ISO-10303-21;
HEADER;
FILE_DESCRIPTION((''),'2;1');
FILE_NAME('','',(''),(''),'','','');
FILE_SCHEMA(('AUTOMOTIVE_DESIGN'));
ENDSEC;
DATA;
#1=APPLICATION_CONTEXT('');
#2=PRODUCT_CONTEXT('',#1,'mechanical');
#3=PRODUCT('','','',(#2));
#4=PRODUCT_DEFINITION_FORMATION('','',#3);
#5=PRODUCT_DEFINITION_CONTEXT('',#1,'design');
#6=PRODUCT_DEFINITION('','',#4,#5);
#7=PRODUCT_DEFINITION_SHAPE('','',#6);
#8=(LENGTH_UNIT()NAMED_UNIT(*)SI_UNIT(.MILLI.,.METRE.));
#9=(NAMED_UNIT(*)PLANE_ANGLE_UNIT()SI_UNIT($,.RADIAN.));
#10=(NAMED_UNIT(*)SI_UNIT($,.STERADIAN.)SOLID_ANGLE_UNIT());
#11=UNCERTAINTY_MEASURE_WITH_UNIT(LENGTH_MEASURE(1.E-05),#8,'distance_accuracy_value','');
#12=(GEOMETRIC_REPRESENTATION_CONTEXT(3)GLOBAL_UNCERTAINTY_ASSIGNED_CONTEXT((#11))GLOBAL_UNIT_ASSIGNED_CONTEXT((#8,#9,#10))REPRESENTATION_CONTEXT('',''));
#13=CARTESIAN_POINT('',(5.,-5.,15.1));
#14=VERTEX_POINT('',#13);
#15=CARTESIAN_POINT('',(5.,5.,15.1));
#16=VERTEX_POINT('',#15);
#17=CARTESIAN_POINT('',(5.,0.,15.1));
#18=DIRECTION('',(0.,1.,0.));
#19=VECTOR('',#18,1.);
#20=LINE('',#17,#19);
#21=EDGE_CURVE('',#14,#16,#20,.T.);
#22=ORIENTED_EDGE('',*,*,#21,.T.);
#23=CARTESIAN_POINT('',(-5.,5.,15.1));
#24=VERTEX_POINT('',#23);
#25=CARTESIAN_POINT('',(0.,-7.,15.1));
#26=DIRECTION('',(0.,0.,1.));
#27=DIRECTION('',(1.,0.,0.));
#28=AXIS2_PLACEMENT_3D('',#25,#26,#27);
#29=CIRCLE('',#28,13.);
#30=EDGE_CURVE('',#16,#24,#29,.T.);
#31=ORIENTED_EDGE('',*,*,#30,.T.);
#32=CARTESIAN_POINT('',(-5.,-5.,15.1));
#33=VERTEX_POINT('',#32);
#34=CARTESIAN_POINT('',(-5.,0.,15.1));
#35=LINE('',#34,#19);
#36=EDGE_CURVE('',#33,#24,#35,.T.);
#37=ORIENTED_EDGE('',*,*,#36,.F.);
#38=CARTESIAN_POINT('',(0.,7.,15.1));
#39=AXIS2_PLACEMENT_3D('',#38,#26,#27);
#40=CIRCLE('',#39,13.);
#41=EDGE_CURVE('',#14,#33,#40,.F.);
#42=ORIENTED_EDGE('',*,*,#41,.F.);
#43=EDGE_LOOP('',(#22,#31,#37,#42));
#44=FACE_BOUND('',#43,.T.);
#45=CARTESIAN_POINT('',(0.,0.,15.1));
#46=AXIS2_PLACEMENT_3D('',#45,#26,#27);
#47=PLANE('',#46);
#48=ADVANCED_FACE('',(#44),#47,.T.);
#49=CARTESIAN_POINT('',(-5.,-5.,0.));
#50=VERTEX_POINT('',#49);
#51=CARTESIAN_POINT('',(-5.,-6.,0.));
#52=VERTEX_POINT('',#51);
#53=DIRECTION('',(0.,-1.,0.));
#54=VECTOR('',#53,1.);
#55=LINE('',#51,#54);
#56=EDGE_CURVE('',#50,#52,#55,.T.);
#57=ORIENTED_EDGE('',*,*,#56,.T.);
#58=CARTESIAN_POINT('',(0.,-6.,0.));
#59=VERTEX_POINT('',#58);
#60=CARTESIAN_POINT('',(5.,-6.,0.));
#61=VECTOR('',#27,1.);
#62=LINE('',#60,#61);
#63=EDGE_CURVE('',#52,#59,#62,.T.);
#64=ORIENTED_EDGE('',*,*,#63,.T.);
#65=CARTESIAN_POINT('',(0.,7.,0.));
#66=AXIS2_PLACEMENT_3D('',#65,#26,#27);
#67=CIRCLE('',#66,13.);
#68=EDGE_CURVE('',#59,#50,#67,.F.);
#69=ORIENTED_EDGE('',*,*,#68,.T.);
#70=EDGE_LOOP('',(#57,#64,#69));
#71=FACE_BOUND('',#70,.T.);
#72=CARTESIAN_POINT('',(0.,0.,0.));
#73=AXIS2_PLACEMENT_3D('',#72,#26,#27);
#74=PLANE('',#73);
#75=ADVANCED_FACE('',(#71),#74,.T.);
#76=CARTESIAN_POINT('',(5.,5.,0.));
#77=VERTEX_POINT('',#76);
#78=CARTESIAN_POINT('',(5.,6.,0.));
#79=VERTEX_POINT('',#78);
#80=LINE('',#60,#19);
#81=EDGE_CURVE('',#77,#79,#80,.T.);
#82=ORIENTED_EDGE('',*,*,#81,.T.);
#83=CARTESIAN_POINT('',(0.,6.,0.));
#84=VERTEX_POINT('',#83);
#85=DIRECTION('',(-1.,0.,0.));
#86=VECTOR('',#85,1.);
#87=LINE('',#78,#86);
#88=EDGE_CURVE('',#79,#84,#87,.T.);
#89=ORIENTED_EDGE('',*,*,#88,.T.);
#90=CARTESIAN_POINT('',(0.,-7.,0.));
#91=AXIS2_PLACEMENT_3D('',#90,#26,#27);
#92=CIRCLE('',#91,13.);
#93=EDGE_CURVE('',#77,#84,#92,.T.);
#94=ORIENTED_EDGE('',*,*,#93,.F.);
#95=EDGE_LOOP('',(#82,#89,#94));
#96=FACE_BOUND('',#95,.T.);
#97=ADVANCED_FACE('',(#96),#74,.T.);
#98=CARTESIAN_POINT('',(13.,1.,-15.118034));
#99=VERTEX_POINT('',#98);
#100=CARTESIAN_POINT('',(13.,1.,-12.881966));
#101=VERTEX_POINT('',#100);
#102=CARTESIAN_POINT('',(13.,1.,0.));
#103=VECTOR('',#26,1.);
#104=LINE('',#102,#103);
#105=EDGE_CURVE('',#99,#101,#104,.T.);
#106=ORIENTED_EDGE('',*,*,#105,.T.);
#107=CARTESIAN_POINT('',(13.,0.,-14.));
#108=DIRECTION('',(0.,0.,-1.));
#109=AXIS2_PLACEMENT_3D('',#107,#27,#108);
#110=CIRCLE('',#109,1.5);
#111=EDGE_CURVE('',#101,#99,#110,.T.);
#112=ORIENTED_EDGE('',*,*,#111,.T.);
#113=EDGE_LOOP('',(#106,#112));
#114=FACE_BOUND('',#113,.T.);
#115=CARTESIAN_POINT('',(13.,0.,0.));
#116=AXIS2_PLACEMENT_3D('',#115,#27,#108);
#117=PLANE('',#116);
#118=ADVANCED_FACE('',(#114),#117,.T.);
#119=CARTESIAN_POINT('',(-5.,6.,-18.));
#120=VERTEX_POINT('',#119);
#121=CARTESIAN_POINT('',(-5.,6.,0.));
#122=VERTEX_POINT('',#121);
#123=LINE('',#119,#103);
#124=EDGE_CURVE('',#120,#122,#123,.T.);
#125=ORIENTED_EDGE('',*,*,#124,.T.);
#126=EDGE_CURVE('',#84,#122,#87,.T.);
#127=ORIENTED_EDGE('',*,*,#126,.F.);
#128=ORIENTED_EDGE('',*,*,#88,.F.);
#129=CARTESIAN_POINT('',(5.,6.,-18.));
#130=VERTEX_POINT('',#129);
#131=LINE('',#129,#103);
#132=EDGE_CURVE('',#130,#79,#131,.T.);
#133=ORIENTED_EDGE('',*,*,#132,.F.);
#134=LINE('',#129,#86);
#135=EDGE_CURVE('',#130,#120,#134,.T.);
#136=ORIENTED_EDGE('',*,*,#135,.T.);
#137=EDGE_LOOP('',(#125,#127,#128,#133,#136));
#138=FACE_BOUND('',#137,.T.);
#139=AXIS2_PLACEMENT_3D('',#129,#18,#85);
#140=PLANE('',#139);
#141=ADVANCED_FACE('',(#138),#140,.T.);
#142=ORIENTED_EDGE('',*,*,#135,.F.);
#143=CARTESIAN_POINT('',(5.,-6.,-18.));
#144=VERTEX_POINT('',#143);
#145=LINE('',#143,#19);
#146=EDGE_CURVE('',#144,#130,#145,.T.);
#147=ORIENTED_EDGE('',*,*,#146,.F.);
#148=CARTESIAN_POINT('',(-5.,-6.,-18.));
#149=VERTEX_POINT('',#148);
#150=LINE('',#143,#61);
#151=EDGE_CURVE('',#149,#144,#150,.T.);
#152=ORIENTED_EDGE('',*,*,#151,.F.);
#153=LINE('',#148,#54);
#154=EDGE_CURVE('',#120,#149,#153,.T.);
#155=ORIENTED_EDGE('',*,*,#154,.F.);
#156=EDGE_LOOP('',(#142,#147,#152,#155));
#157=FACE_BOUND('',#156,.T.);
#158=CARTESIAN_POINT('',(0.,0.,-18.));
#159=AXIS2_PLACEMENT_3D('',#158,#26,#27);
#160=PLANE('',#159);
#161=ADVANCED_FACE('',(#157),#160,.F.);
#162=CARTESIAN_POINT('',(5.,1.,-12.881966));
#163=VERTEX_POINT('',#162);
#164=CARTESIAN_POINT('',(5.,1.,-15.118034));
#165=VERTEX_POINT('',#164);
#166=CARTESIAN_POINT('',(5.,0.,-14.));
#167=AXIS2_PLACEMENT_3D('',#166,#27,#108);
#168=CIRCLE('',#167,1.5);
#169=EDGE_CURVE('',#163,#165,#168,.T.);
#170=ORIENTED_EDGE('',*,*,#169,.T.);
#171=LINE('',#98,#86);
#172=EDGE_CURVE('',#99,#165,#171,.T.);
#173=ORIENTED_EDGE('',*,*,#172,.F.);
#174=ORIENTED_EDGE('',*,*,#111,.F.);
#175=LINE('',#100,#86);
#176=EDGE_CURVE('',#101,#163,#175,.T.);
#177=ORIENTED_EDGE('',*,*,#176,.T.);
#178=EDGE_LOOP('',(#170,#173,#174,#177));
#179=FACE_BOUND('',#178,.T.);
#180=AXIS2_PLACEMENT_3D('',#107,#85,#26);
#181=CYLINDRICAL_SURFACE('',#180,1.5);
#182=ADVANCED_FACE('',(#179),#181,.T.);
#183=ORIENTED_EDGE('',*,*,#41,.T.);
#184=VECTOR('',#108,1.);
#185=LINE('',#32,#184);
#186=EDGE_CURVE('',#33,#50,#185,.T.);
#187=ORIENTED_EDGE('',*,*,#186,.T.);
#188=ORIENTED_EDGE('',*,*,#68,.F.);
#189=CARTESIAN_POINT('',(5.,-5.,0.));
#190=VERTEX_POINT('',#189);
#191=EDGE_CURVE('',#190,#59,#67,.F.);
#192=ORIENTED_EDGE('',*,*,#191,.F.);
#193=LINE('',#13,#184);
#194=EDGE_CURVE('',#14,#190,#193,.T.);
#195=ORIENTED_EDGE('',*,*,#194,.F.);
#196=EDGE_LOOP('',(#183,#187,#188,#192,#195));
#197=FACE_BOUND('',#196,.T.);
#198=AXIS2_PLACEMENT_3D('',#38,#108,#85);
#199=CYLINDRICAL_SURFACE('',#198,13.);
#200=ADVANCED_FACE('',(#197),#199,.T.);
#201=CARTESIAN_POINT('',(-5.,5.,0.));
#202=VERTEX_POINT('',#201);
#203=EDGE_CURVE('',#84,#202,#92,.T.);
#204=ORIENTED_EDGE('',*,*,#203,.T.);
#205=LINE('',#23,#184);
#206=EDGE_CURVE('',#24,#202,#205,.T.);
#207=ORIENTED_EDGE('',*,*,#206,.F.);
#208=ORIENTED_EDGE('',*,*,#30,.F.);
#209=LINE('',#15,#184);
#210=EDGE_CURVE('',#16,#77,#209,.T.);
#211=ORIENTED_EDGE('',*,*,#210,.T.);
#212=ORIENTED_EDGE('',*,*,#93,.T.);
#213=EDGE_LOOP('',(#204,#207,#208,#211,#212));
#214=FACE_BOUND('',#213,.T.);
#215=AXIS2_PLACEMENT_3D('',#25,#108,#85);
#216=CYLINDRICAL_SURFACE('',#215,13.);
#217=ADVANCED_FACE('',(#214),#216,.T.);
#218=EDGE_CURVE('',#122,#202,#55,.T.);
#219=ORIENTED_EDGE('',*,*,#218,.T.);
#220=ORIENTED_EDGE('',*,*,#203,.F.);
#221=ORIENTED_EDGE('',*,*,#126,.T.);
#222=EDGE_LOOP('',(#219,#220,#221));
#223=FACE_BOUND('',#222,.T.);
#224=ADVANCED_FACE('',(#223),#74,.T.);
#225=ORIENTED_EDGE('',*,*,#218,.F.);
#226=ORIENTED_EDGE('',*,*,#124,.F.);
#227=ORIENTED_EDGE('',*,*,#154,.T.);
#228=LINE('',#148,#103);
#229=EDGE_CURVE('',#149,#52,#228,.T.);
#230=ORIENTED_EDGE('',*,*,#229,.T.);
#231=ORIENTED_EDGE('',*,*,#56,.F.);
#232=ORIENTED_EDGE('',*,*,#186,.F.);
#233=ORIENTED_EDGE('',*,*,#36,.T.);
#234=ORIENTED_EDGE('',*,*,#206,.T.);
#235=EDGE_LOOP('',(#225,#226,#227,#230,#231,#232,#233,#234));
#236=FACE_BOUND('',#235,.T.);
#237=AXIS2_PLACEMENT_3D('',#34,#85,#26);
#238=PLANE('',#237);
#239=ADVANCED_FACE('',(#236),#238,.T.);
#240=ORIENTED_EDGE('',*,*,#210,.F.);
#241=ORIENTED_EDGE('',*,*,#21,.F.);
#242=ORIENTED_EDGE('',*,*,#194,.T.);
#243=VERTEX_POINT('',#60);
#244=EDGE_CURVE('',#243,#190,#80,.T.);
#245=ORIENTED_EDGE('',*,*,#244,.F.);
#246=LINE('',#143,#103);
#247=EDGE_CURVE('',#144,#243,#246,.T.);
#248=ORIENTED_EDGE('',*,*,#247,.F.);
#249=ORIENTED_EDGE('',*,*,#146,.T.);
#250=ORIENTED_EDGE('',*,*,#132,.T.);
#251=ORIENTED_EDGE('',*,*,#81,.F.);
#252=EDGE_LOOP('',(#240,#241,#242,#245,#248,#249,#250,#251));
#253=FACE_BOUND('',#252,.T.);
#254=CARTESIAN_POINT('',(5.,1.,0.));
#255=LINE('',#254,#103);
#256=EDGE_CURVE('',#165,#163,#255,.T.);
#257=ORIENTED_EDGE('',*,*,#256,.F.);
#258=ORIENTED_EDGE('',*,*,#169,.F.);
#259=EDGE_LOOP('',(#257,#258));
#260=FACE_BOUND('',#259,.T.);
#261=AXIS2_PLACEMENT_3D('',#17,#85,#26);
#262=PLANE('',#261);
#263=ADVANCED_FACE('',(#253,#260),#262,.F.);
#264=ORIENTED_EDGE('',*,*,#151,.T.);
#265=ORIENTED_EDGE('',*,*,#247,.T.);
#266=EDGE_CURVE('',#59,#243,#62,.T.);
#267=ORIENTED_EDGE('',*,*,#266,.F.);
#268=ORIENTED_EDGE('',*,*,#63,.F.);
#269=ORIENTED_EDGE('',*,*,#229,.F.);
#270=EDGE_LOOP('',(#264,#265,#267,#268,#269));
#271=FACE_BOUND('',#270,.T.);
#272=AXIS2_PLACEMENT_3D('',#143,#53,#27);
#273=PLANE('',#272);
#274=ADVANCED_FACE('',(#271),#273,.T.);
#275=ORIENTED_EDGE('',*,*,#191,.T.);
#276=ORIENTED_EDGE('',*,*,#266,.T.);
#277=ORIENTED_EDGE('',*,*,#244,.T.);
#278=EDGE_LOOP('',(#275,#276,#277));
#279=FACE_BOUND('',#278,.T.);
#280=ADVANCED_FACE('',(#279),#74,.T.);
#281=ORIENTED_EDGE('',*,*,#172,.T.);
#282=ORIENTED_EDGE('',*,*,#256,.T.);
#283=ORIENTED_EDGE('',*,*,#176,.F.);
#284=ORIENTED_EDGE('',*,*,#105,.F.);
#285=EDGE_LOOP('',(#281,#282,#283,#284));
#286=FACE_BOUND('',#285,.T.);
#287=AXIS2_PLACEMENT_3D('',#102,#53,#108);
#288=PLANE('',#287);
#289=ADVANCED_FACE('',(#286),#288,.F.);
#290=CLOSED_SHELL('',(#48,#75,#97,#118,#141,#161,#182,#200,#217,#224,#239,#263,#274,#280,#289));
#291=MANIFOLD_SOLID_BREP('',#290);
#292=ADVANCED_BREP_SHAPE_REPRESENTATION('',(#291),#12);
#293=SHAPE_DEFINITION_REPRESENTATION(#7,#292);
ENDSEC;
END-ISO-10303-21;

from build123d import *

# Parameters (mm, degrees)
SKETCH1_W           = 5
SKETCH1_H           = 10
BOSS_EXTRUDE1_DEPTH = 15.1
SKETCH2_W           = 10
SKETCH2_H           = 12
BOSS_EXTRUDE2_DEPTH = 18
BOSS_EXTRUDE3_DEPTH = 8


with BuildPart() as part:
    # Sketch1 → Boss-Extrude1 (new body)
    with BuildSketch(Plane.XY):
        with Locations((-2.5, 0)):
            Rectangle(SKETCH1_W, SKETCH1_H)
        with Locations((2.5, 0)):
            Rectangle(SKETCH1_W, SKETCH1_H)
        with BuildLine():
            Line((0, 6), (0, 5))
            Line((0, 5), (5, 5))
            ThreePointArc((5, 5), (2.549509757, 5.747548784), (0, 6))
        make_face()
        with BuildLine():
            Line((-5, 5), (0, 5))
            Line((0, 5), (0, 6))
            ThreePointArc((0, 6), (-2.549509757, 5.747548784), (-5, 5))
        make_face()
        with BuildLine():
            Line((0, -5), (0, -6))
            ThreePointArc((0, -6), (2.549509757, -5.747548784), (5, -5))
            Line((5, -5), (0, -5))
        make_face()
        with BuildLine():
            ThreePointArc((-5, -5), (-2.549509757, -5.747548784), (0, -6))
            Line((0, -6), (0, -5))
            Line((0, -5), (-5, -5))
        make_face()
    extrude(amount=BOSS_EXTRUDE1_DEPTH)

    # Sketch2 → Boss-Extrude2 (add)
    with BuildSketch(Plane.XY):
        Rectangle(SKETCH2_W, SKETCH2_H)
    extrude(amount=-BOSS_EXTRUDE2_DEPTH)

    # Sketch3 → Boss-Extrude3 (add)
    with BuildSketch(Plane(origin=(5, 0, 0), x_dir=(0, 0, -1), z_dir=(1, 0, 0))):
        with BuildLine():
            Line((14, -1.5), (14, 0))
            Line((14, 0), (14, 1))
            Line((14, 1), (12.881966011, 1))
            ThreePointArc((12.881966011, 1), (12.630693606, -0.612372436), (14, -1.5))
        make_face()
        with BuildLine():
            Line((14, 0), (15.5, 0))
            ThreePointArc((15.5, 0), (15.401258538, 0.535233135), (15.118033989, 1))
            Line((15.118033989, 1), (14, 1))
            Line((14, 1), (14, 0))
        make_face()
        with BuildLine():
            ThreePointArc((14, -1.5), (15.060660172, -1.060660172), (15.5, 0))
            Line((15.5, 0), (14, 0))
            Line((14, 0), (14, -1.5))
        make_face()
    extrude(amount=BOSS_EXTRUDE3_DEPTH)


solid = part.part
